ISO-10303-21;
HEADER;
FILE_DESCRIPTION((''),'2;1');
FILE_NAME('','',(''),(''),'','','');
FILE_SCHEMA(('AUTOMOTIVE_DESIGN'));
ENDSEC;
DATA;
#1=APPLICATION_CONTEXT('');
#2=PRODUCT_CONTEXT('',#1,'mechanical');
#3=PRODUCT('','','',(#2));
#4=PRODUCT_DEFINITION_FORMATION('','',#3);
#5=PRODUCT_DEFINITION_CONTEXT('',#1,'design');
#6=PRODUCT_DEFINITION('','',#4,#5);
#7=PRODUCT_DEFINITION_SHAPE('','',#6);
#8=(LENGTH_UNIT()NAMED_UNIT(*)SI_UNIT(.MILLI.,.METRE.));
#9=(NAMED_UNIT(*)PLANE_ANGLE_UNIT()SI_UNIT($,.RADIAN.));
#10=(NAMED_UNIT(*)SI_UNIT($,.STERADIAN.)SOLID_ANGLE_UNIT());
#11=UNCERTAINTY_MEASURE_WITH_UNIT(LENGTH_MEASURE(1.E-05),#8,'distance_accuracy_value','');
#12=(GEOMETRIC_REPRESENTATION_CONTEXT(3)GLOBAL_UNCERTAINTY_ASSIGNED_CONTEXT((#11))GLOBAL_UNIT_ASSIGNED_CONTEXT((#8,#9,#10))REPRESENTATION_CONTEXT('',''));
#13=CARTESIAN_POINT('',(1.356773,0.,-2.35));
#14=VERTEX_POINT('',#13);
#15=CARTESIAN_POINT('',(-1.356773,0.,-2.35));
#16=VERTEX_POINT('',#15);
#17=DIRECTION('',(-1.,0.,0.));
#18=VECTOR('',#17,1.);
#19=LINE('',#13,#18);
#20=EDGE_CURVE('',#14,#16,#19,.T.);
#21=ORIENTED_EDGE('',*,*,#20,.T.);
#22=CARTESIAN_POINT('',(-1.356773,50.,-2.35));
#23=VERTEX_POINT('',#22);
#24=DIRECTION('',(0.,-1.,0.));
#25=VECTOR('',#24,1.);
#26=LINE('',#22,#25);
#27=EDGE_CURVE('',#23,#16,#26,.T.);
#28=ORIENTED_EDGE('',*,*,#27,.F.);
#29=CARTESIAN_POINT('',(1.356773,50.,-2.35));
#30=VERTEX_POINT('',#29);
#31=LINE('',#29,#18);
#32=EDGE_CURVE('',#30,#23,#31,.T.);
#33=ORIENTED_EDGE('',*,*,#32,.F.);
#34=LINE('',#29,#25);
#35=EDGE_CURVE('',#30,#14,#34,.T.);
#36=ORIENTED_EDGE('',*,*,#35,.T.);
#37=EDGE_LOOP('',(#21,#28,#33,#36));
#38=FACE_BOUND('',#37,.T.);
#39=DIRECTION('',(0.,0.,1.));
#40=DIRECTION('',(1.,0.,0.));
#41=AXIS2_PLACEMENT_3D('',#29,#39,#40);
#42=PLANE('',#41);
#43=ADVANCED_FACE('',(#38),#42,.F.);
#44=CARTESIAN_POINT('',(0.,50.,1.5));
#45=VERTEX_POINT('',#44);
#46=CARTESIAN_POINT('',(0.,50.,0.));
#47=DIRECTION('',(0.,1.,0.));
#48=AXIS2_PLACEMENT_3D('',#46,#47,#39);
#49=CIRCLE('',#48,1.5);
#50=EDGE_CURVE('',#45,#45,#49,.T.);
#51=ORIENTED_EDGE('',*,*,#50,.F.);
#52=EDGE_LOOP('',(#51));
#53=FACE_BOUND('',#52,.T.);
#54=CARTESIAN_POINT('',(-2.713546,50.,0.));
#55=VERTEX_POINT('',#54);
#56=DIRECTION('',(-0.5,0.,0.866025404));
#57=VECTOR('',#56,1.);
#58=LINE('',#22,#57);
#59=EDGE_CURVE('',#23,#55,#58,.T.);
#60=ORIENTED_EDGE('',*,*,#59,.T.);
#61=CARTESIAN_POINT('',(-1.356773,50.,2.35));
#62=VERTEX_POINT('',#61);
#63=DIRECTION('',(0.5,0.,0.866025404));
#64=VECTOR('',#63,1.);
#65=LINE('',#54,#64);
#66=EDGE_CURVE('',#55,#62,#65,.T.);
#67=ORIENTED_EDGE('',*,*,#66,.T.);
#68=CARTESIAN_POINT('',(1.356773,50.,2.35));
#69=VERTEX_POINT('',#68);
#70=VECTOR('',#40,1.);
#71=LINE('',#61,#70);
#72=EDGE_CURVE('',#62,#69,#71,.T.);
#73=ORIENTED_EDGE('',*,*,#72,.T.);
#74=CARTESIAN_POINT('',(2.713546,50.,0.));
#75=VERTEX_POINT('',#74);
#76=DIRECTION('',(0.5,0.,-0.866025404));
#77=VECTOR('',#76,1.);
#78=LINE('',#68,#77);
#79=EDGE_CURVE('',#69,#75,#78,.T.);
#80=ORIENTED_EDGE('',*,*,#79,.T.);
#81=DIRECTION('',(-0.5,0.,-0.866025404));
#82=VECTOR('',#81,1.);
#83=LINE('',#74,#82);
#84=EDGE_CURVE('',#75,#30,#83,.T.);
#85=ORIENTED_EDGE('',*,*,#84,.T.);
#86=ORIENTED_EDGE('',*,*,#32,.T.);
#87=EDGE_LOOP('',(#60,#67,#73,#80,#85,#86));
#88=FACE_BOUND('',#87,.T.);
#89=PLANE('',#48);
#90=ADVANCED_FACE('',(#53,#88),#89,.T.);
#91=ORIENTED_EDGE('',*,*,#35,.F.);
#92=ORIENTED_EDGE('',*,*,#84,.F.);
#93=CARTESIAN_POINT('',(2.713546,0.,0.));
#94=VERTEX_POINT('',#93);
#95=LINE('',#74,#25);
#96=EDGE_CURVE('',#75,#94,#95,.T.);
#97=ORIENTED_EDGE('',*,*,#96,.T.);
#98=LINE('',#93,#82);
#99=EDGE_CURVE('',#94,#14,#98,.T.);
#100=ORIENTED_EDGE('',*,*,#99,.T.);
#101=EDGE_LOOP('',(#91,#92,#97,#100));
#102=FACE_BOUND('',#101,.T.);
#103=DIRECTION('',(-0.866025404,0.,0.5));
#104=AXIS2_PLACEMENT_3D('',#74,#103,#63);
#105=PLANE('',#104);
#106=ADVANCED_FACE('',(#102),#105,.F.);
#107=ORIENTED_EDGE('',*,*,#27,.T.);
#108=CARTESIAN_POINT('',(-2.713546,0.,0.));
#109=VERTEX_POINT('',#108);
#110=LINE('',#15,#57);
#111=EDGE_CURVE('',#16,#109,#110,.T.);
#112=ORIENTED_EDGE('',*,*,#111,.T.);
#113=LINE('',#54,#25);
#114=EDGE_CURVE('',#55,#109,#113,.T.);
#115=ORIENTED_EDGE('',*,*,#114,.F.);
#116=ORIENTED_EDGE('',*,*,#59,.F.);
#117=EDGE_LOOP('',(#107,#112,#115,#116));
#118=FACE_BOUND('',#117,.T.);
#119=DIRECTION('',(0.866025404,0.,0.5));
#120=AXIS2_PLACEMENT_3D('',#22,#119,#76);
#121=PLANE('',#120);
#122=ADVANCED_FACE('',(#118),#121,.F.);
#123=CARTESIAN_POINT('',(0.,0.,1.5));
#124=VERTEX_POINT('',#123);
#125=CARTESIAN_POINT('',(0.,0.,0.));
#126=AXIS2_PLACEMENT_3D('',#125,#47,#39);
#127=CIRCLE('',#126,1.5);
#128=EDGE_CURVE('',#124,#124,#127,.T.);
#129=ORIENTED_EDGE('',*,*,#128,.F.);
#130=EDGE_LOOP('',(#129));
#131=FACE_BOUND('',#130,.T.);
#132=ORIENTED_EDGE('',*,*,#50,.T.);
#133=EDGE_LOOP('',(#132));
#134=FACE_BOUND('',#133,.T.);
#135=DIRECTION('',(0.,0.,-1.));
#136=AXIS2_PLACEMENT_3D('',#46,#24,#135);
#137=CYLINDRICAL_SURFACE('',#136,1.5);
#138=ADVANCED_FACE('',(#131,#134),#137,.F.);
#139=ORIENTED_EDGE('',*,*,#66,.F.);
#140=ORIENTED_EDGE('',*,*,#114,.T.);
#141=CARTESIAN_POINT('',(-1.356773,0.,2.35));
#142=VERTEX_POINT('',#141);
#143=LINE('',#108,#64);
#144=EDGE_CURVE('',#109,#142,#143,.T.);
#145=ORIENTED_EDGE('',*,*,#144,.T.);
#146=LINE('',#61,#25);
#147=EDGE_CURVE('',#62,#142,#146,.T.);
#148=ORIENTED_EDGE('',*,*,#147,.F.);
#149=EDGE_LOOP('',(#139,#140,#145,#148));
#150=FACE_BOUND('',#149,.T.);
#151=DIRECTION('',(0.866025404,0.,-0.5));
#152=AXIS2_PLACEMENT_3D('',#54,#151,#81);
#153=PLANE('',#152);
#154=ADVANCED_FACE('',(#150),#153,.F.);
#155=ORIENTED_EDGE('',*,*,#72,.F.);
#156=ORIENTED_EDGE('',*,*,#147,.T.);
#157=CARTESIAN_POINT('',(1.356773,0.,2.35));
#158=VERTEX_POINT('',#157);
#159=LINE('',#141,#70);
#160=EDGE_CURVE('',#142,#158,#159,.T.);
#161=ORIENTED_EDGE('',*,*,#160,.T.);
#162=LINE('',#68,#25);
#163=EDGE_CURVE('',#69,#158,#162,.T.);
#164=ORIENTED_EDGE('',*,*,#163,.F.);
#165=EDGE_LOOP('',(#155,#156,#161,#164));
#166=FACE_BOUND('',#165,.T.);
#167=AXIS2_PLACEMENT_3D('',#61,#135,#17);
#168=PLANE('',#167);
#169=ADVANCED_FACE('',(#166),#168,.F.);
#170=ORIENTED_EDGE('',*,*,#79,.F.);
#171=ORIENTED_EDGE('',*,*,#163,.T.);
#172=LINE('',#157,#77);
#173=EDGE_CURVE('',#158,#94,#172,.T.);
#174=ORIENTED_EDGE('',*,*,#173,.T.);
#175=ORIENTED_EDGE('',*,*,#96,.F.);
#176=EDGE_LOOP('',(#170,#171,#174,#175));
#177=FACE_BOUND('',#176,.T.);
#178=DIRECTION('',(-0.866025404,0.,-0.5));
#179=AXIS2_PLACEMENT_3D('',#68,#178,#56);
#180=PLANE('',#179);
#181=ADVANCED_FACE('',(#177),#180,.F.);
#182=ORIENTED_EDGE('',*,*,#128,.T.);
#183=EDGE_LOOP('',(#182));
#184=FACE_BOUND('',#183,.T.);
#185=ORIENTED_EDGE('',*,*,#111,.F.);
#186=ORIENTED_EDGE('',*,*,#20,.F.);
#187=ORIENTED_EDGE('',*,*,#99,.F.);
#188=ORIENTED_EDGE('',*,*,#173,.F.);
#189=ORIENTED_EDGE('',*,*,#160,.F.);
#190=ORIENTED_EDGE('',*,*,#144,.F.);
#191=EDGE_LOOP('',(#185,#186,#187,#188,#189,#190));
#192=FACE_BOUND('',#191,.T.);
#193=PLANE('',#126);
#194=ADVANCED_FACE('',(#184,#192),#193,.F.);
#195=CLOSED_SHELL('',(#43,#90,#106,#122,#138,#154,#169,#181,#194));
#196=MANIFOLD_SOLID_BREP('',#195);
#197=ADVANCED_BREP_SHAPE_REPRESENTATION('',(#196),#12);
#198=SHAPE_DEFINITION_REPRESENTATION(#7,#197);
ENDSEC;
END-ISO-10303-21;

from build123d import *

# Parameters (mm, degrees)
SKETCH2_R           = 1.5
BOSS_EXTRUDE1_DEPTH = 50


with BuildPart() as part:
    # Sketch2 → Boss-Extrude1 (new body)
    with BuildSketch(Plane(origin=(0, 0, 0), x_dir=(1, 0, 0), z_dir=(0, 1, 0))):
        Polygon((2.713546265, 0), (1.356773133, 2.35), (-1.356773133, 2.35), (-2.713546265, 0), (-1.356773133, -2.35), (1.356773133, -2.35), align=None)
        Circle(SKETCH2_R, mode=Mode.SUBTRACT)
    extrude(amount=BOSS_EXTRUDE1_DEPTH)


solid = part.part
